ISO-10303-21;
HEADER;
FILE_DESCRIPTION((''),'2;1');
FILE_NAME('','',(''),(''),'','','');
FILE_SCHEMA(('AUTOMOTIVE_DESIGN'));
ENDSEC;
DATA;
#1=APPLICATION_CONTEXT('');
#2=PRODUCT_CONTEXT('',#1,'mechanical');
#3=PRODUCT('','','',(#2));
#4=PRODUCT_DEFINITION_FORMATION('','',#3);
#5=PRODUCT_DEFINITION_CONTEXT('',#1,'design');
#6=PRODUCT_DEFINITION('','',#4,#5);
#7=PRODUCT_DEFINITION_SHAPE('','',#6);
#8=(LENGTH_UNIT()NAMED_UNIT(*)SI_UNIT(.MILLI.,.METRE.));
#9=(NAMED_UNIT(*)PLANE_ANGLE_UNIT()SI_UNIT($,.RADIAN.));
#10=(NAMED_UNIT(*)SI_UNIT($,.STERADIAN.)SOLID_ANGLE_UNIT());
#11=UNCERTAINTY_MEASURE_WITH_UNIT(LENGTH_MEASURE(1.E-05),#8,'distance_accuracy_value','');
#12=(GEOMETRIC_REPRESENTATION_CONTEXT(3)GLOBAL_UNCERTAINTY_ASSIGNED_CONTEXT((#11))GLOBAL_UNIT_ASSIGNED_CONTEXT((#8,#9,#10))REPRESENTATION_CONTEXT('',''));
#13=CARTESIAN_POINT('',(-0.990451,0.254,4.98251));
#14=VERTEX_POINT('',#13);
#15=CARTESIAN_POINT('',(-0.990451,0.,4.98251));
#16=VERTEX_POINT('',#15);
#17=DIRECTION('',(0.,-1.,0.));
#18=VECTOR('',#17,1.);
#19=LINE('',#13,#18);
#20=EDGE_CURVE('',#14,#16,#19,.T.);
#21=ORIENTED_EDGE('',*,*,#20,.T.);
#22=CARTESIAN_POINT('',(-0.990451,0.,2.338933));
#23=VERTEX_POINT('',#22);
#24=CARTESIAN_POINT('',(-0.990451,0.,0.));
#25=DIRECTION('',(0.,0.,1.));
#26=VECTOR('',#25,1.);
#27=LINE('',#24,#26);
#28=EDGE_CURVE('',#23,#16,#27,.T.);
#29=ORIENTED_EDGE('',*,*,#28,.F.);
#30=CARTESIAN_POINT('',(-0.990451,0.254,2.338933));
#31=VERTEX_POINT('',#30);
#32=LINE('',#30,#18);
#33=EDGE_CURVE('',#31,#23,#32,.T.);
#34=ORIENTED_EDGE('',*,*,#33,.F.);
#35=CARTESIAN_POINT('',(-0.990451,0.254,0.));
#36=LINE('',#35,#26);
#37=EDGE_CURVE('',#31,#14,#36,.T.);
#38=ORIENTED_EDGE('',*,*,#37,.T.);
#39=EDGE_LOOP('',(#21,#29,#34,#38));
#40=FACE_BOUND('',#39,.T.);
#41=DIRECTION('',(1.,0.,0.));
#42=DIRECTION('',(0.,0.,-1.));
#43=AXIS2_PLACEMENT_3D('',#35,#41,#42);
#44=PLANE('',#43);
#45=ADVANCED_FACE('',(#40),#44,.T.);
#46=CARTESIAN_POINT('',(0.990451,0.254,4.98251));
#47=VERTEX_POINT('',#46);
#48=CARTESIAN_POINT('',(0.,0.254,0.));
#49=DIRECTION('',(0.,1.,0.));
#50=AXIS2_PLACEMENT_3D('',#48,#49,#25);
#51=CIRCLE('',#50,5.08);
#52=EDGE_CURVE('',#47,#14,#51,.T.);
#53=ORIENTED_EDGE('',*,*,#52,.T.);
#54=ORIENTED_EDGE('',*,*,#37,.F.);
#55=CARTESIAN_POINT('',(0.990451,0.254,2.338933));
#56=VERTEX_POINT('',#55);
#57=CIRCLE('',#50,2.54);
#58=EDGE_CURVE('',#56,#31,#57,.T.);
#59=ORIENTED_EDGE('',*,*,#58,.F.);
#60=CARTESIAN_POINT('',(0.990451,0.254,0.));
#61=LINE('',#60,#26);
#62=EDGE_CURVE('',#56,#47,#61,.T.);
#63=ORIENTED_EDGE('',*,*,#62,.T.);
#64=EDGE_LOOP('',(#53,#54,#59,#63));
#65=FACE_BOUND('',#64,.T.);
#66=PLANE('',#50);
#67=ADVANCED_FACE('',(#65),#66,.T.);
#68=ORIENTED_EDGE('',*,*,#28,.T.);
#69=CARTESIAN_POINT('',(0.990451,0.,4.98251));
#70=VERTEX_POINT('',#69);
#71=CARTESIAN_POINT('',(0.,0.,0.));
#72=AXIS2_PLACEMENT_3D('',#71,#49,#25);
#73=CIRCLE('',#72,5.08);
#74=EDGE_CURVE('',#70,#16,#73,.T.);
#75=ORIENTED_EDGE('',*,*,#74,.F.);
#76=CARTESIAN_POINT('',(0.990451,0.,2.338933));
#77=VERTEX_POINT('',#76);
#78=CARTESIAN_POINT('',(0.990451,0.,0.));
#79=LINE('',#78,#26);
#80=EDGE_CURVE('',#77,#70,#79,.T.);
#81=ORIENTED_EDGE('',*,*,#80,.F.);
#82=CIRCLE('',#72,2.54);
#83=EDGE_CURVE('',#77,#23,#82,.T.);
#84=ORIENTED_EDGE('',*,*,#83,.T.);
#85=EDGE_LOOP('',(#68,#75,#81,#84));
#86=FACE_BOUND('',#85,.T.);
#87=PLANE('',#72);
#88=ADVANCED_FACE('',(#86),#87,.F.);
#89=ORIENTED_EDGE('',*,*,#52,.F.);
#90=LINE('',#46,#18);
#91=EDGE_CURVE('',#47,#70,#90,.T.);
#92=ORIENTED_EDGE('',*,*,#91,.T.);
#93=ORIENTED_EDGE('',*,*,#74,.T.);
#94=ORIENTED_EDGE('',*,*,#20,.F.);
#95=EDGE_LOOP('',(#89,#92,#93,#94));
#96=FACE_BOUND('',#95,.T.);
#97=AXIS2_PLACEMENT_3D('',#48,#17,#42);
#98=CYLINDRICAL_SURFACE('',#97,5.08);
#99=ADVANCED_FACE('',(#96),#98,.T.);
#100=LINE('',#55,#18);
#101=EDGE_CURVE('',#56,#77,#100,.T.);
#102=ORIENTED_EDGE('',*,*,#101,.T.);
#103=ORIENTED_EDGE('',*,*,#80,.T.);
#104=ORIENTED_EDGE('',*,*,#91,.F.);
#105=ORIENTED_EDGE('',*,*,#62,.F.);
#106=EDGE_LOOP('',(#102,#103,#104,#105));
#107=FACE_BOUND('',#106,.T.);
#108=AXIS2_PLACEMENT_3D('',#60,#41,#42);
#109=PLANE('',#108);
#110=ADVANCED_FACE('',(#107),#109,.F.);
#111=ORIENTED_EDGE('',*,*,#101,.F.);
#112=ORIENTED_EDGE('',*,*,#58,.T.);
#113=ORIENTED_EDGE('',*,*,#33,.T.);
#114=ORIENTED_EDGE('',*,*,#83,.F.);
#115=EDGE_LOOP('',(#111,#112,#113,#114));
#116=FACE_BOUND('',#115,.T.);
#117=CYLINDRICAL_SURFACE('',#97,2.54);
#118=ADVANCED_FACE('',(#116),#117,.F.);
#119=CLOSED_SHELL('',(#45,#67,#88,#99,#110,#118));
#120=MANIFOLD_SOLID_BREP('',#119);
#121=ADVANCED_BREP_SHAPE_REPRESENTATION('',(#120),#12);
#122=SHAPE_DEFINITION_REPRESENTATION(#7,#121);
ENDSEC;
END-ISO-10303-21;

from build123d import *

# Parameters (mm, degrees)
BOSS_EXTRUDE1_DEPTH = 0.254


with BuildPart() as part:
    # Sketch1 → Boss-Extrude1 (new body)
    with BuildSketch(Plane(origin=(0, 0, 0), x_dir=(1, 0, 0), z_dir=(0, 1, 0))):
        with BuildLine():
            Line((-0.990450861, -4.98251012), (-0.990450861, -2.338932896))
            ThreePointArc((-0.990450861, -2.338932896), (0, 2.54), (0.990450861, -2.338932896))
            Line((0.990450861, -2.338932896), (0.990450861, -4.98251012))
            ThreePointArc((0.990450861, -4.98251012), (0, 5.08), (-0.990450861, -4.98251012))
        make_face()
    extrude(amount=BOSS_EXTRUDE1_DEPTH)


solid = part.part
